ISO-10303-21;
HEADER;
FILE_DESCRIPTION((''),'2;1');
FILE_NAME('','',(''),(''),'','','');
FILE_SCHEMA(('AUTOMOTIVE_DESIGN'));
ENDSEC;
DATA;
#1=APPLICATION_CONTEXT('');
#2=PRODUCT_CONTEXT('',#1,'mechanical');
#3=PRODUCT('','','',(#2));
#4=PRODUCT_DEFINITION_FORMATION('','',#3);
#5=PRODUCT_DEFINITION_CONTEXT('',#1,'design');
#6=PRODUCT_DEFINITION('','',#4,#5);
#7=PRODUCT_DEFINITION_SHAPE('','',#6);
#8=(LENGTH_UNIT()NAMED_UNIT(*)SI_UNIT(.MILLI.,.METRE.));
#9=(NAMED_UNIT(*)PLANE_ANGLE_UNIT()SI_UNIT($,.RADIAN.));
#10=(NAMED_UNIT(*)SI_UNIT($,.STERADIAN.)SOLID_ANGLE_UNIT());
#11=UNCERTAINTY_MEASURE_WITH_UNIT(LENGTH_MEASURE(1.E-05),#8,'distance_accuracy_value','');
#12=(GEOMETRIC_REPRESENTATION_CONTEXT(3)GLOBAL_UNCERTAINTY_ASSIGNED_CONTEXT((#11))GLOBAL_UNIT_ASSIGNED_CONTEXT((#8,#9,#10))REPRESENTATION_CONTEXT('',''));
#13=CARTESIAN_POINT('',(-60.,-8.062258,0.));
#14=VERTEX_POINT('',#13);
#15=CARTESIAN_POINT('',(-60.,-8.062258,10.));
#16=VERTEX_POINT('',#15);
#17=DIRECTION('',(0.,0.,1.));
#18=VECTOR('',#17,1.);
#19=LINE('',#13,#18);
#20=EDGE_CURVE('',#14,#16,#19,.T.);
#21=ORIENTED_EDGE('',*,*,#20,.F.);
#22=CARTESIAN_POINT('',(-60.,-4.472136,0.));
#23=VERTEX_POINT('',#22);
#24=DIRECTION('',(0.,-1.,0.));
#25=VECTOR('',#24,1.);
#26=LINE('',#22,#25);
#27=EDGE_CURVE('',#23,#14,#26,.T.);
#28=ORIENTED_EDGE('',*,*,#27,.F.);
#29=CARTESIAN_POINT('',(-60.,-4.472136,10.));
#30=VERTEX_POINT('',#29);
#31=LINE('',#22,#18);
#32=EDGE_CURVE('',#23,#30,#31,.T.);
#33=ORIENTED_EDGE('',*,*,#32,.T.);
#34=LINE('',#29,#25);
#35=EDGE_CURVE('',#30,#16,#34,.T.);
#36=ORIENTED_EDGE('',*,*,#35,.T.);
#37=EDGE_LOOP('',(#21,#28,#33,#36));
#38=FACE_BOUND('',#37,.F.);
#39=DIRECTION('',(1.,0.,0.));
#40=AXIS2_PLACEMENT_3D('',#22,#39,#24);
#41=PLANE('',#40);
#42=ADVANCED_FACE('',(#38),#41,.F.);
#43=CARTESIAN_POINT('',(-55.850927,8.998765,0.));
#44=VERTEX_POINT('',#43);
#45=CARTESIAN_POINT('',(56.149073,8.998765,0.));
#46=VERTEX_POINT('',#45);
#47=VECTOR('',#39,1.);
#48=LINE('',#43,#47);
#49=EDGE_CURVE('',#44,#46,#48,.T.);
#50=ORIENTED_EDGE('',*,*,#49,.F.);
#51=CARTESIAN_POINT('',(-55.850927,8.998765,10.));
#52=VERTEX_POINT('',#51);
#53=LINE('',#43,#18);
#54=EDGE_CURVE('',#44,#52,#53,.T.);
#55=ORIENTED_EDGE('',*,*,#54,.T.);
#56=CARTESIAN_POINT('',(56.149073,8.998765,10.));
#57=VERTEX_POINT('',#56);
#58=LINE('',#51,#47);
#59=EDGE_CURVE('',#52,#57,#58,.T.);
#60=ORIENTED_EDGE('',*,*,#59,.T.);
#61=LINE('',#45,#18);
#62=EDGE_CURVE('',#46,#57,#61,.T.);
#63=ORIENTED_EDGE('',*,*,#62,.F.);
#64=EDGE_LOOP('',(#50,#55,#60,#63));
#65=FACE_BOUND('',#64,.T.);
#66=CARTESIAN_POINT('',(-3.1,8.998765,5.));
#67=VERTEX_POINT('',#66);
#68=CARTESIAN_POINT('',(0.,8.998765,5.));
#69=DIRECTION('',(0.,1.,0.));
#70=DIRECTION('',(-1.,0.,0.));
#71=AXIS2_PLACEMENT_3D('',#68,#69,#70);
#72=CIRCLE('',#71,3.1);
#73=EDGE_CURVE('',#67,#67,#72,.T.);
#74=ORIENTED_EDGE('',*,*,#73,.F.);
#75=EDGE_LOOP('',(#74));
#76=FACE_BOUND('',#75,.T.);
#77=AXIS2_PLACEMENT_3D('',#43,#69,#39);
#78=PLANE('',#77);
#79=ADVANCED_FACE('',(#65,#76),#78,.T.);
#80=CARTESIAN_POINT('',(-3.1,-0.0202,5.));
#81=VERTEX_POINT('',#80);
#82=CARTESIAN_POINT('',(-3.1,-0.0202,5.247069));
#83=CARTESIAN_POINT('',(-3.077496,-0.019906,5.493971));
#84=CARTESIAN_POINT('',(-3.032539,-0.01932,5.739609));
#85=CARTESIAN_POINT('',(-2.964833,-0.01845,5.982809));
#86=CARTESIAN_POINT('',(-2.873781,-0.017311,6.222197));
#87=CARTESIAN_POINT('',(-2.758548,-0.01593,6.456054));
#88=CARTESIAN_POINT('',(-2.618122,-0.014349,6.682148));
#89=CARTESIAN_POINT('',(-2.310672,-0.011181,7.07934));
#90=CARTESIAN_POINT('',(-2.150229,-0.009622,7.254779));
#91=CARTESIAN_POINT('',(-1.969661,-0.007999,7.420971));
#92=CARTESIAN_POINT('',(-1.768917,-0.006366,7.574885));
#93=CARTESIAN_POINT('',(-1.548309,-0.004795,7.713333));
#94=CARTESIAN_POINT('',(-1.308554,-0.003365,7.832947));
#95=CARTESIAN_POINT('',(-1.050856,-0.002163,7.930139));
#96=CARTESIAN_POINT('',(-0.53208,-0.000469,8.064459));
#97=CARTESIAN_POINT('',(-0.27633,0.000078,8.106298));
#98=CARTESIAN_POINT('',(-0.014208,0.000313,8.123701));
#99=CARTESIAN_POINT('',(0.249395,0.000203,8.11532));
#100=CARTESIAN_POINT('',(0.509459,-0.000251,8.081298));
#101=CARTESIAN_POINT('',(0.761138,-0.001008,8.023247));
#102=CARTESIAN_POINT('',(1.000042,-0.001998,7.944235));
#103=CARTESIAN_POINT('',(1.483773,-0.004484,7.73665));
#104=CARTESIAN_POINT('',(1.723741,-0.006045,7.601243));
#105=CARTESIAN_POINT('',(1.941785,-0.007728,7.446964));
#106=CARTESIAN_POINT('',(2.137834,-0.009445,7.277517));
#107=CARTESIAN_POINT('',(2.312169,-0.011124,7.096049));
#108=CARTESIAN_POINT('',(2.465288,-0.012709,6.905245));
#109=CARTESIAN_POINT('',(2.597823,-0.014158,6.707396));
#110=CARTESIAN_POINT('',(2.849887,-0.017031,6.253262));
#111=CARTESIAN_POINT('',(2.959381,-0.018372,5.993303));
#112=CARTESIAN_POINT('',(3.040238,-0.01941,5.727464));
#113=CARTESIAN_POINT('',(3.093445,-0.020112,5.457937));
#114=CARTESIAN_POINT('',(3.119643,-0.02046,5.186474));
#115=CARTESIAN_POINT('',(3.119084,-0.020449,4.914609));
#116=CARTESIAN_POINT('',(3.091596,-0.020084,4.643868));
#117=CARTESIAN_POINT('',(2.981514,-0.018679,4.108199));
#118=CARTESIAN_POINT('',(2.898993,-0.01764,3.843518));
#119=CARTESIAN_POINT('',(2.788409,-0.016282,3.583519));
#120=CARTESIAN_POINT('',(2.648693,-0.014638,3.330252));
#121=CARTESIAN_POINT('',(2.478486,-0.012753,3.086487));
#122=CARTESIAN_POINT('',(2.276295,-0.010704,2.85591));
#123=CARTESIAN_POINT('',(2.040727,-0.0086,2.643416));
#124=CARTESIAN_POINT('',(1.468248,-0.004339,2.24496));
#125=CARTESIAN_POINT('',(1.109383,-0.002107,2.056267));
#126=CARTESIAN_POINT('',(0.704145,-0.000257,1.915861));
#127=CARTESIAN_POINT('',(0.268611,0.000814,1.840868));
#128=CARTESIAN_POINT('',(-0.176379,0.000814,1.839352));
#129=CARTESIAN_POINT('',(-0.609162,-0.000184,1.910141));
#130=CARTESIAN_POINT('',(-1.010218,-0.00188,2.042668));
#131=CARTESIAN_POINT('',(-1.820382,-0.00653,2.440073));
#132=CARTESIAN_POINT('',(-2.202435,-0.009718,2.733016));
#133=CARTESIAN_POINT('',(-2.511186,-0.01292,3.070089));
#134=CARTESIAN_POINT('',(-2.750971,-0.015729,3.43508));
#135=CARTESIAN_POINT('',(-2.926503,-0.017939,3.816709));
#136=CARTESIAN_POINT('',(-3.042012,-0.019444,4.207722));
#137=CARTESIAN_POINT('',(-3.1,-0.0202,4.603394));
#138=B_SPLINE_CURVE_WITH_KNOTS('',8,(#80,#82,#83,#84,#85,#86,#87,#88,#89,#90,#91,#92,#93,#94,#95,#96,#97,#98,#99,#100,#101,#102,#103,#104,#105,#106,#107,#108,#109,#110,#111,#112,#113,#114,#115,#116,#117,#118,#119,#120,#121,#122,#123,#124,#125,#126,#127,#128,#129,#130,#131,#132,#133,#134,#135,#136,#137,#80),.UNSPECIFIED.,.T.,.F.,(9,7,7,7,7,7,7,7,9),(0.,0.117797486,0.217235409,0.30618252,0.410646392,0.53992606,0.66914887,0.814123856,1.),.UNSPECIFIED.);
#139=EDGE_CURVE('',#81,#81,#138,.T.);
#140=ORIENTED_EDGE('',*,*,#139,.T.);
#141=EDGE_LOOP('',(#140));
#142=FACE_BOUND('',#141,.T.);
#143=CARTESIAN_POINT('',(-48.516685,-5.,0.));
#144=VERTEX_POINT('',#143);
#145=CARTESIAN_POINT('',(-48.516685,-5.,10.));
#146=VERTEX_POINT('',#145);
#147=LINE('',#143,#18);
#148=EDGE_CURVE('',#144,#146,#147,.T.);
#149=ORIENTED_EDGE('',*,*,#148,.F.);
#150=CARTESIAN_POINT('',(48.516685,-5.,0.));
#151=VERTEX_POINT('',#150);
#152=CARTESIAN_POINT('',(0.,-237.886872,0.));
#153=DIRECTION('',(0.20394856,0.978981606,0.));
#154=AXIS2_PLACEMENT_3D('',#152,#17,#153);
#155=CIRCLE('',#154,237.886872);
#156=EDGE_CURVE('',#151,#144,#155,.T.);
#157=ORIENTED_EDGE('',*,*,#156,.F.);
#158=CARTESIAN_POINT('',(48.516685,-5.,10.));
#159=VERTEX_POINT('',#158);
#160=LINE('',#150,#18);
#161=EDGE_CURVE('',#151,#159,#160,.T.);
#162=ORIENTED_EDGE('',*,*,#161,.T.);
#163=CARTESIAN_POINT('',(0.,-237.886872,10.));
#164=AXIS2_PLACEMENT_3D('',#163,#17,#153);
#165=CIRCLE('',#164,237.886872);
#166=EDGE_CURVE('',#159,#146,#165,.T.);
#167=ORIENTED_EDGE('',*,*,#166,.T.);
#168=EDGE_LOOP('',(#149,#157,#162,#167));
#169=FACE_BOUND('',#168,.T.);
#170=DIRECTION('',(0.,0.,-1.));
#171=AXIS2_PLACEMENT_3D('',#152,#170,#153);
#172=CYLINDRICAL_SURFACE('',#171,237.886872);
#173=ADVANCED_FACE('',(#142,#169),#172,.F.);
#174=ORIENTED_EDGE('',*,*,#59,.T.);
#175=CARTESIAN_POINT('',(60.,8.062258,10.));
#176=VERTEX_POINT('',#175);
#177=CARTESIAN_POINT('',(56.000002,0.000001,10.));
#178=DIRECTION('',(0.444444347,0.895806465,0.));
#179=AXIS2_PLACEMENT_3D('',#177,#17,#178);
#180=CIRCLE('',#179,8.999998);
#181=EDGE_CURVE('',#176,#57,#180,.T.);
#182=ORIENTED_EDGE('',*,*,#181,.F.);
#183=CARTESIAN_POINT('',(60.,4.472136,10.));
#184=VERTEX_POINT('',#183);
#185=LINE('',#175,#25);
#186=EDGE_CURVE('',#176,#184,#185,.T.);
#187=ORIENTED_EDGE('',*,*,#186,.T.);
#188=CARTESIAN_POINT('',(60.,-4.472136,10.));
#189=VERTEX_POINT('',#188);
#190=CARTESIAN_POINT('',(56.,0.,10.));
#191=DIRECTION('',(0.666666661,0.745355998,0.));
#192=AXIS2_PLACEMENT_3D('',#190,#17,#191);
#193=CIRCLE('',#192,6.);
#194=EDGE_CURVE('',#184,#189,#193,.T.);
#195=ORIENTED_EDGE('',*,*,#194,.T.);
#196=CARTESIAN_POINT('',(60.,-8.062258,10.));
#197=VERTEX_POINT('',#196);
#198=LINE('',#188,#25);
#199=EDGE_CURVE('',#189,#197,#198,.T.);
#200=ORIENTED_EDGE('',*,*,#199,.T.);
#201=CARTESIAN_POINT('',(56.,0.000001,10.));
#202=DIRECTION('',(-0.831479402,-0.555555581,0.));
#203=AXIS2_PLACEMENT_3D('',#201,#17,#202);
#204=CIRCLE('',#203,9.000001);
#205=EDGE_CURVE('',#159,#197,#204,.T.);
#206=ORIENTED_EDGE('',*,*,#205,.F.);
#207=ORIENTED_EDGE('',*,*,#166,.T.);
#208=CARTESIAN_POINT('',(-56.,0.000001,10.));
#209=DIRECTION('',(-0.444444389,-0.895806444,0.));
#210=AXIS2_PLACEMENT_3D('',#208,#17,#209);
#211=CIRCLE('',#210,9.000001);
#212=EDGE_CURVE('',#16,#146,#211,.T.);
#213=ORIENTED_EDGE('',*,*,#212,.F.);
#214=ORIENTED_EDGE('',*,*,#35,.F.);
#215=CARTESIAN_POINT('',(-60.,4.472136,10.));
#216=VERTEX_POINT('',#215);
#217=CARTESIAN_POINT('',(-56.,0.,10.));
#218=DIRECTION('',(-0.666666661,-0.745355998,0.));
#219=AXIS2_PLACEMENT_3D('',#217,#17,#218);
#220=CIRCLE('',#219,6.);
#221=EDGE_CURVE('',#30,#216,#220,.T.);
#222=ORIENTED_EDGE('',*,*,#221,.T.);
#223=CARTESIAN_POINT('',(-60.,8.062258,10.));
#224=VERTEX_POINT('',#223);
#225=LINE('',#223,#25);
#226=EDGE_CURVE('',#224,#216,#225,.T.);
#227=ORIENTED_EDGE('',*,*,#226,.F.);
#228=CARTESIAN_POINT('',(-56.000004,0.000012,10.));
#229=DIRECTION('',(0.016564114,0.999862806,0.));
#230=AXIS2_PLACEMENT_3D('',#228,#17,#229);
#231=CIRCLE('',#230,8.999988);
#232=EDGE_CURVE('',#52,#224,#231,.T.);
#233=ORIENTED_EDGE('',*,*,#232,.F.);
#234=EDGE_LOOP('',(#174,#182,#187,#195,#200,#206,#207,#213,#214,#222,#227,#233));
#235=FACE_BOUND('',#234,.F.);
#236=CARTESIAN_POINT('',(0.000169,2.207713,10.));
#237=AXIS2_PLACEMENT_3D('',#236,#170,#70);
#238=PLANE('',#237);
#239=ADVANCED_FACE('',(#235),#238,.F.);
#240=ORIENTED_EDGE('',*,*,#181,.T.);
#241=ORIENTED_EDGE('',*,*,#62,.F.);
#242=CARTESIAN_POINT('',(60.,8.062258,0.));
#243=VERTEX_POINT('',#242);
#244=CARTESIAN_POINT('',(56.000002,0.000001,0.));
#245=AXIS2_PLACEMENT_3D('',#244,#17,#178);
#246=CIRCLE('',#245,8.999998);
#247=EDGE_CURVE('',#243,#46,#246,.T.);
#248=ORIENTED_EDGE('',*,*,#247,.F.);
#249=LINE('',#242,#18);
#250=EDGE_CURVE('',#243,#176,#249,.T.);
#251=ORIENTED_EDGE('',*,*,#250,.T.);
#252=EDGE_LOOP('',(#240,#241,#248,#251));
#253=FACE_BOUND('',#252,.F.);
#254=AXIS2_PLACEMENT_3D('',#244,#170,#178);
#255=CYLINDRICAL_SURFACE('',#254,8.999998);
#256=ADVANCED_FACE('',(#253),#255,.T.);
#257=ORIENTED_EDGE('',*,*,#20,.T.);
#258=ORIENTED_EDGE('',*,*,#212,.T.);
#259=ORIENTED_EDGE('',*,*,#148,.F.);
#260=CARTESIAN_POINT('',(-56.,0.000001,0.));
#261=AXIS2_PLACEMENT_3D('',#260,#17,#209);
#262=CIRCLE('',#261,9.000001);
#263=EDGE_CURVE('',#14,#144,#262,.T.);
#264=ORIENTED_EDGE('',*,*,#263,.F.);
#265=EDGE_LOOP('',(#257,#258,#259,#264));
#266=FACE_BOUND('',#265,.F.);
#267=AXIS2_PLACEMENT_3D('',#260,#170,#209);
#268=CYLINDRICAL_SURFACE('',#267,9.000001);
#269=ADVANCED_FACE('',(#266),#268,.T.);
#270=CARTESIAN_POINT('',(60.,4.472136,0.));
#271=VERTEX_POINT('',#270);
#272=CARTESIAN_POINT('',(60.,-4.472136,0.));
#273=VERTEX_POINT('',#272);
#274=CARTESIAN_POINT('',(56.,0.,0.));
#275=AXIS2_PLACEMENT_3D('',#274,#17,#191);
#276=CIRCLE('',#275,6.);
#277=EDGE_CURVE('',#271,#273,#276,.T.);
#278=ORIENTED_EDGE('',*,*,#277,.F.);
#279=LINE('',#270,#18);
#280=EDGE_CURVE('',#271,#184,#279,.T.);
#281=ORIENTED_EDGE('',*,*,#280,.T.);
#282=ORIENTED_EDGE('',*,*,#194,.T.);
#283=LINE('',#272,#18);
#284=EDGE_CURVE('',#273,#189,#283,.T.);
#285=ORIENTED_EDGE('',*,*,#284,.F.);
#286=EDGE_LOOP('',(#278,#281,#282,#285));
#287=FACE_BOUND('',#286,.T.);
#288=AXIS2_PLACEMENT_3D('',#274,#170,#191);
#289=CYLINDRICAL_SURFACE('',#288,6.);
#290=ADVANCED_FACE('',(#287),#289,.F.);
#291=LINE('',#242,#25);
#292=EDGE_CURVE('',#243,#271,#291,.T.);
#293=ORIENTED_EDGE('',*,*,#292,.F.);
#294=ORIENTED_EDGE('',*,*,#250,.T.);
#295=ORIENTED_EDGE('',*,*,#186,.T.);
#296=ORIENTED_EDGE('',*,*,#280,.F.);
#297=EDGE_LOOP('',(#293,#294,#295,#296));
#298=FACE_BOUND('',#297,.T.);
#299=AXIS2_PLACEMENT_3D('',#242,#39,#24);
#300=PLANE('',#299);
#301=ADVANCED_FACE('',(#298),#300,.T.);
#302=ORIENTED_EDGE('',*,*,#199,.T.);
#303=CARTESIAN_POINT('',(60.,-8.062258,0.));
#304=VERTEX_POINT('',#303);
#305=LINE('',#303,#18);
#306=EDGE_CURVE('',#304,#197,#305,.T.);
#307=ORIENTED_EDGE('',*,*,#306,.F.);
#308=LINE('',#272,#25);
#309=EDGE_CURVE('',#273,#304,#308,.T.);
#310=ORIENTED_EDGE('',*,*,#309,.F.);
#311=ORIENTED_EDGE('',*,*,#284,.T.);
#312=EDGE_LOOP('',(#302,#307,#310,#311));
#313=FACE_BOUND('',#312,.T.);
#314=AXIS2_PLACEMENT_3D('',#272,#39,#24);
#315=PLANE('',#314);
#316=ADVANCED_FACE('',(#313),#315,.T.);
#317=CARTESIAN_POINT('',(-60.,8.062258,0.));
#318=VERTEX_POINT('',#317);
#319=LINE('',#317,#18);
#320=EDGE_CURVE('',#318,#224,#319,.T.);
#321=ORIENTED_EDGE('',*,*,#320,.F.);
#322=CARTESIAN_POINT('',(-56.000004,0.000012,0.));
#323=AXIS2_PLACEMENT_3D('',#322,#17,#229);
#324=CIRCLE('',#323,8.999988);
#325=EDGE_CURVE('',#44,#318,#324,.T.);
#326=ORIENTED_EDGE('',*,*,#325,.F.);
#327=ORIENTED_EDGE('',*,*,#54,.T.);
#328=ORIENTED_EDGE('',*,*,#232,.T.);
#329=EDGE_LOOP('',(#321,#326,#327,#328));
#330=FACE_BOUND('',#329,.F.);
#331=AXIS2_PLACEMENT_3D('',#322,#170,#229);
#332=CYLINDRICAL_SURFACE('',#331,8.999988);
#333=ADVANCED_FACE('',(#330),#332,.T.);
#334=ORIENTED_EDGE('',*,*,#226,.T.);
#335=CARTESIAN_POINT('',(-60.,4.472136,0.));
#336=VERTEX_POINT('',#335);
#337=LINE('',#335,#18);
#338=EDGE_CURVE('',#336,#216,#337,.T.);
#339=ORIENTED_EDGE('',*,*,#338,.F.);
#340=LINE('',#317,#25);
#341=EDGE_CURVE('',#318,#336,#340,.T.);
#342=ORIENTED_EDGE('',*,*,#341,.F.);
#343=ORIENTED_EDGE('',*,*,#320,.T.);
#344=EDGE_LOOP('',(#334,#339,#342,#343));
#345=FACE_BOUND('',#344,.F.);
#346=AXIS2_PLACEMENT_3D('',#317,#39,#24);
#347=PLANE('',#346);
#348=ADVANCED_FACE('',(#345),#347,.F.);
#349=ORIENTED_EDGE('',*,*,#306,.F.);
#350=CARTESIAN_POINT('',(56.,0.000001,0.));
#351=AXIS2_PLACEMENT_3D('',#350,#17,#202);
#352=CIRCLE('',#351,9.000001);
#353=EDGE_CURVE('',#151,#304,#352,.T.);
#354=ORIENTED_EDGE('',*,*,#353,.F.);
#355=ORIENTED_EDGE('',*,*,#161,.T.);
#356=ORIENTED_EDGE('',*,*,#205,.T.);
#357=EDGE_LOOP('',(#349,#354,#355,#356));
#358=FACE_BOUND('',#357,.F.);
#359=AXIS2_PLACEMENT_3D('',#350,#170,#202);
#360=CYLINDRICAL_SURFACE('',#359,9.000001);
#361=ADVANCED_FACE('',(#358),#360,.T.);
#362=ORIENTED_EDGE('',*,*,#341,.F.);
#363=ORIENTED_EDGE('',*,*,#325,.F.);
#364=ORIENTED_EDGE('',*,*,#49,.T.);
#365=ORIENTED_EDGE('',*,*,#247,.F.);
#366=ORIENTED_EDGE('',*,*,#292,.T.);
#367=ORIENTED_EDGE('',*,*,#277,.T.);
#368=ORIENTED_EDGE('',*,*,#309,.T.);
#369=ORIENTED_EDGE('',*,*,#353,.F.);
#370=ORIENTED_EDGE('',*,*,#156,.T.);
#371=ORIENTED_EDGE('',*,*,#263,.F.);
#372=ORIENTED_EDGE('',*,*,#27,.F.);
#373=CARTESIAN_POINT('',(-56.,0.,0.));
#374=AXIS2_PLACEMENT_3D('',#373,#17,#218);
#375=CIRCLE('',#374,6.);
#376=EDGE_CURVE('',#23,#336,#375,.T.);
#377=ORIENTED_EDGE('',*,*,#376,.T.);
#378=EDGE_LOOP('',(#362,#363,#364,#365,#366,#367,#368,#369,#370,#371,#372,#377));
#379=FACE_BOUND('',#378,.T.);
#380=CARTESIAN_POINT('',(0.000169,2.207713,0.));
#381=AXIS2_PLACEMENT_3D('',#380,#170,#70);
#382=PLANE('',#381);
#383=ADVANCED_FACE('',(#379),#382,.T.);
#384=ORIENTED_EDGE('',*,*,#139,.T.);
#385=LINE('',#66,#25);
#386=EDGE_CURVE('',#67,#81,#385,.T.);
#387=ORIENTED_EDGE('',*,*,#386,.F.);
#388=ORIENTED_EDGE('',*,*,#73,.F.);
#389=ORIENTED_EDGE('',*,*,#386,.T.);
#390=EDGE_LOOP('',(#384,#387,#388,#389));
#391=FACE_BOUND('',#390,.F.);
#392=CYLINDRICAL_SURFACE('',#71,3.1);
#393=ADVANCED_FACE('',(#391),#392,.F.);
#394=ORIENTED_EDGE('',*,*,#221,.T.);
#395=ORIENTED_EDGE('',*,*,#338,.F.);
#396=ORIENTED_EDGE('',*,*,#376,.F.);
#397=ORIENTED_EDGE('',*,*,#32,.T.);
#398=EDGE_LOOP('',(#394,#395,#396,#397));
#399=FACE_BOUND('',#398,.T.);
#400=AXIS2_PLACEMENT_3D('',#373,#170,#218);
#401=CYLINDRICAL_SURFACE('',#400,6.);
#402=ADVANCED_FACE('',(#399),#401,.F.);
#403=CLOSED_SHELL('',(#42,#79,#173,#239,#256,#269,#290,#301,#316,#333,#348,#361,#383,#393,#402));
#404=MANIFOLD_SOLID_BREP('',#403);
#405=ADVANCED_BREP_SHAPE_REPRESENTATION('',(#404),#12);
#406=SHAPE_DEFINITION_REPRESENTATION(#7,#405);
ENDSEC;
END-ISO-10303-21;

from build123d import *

# Parameters (mm, degrees)
PAD_DEPTH    = 10
SKETCH001_R  = 3.1
POCKET_DEPTH = 17.999765


with BuildPart() as part:
    # Sketch → Pad (new body)
    with BuildSketch(Plane.XY):
        with BuildLine():
            ThreePointArc((-60, -4.472136), (-50, 0), (-60, 4.472136))
            Line((-60, 8.062258), (-60, 4.472136))
            ThreePointArc((-55.850927, 8.998765), (-57.981583, 8.779142), (-60, 8.062258))
            Line((-55.850927, 8.998765), (56.149073, 8.998765))
            ThreePointArc((60, 8.062258), (58.126726, 8.745115), (56.149073, 8.998765))
            Line((60, 8.062258), (60, 4.472136))
            ThreePointArc((60, 4.472136), (50, 0), (60, -4.472136))
            Line((60, -4.472136), (60, -8.062258))
            ThreePointArc((48.516685, -5), (53.681008, -8.696107), (60, -8.062258))
            ThreePointArc((48.516685, -5), (0, 0), (-48.516685, -5))
            ThreePointArc((-60, -8.062258), (-53.681008, -8.696107), (-48.516685, -5))
            Line((-60, -4.472136), (-60, -8.062258))
        make_face()
    extrude(amount=PAD_DEPTH)

    # Sketch001 (on Face4 of Pad) → Pocket (cut, through all)
    with BuildSketch(Plane(origin=(0, 8.998765, 0), x_dir=(-1, 0, 0), z_dir=(0, 1, 0))):
        with Locations((0, 5)):
            Circle(SKETCH001_R)
    extrude(amount=-POCKET_DEPTH, mode=Mode.SUBTRACT)


solid = part.part
